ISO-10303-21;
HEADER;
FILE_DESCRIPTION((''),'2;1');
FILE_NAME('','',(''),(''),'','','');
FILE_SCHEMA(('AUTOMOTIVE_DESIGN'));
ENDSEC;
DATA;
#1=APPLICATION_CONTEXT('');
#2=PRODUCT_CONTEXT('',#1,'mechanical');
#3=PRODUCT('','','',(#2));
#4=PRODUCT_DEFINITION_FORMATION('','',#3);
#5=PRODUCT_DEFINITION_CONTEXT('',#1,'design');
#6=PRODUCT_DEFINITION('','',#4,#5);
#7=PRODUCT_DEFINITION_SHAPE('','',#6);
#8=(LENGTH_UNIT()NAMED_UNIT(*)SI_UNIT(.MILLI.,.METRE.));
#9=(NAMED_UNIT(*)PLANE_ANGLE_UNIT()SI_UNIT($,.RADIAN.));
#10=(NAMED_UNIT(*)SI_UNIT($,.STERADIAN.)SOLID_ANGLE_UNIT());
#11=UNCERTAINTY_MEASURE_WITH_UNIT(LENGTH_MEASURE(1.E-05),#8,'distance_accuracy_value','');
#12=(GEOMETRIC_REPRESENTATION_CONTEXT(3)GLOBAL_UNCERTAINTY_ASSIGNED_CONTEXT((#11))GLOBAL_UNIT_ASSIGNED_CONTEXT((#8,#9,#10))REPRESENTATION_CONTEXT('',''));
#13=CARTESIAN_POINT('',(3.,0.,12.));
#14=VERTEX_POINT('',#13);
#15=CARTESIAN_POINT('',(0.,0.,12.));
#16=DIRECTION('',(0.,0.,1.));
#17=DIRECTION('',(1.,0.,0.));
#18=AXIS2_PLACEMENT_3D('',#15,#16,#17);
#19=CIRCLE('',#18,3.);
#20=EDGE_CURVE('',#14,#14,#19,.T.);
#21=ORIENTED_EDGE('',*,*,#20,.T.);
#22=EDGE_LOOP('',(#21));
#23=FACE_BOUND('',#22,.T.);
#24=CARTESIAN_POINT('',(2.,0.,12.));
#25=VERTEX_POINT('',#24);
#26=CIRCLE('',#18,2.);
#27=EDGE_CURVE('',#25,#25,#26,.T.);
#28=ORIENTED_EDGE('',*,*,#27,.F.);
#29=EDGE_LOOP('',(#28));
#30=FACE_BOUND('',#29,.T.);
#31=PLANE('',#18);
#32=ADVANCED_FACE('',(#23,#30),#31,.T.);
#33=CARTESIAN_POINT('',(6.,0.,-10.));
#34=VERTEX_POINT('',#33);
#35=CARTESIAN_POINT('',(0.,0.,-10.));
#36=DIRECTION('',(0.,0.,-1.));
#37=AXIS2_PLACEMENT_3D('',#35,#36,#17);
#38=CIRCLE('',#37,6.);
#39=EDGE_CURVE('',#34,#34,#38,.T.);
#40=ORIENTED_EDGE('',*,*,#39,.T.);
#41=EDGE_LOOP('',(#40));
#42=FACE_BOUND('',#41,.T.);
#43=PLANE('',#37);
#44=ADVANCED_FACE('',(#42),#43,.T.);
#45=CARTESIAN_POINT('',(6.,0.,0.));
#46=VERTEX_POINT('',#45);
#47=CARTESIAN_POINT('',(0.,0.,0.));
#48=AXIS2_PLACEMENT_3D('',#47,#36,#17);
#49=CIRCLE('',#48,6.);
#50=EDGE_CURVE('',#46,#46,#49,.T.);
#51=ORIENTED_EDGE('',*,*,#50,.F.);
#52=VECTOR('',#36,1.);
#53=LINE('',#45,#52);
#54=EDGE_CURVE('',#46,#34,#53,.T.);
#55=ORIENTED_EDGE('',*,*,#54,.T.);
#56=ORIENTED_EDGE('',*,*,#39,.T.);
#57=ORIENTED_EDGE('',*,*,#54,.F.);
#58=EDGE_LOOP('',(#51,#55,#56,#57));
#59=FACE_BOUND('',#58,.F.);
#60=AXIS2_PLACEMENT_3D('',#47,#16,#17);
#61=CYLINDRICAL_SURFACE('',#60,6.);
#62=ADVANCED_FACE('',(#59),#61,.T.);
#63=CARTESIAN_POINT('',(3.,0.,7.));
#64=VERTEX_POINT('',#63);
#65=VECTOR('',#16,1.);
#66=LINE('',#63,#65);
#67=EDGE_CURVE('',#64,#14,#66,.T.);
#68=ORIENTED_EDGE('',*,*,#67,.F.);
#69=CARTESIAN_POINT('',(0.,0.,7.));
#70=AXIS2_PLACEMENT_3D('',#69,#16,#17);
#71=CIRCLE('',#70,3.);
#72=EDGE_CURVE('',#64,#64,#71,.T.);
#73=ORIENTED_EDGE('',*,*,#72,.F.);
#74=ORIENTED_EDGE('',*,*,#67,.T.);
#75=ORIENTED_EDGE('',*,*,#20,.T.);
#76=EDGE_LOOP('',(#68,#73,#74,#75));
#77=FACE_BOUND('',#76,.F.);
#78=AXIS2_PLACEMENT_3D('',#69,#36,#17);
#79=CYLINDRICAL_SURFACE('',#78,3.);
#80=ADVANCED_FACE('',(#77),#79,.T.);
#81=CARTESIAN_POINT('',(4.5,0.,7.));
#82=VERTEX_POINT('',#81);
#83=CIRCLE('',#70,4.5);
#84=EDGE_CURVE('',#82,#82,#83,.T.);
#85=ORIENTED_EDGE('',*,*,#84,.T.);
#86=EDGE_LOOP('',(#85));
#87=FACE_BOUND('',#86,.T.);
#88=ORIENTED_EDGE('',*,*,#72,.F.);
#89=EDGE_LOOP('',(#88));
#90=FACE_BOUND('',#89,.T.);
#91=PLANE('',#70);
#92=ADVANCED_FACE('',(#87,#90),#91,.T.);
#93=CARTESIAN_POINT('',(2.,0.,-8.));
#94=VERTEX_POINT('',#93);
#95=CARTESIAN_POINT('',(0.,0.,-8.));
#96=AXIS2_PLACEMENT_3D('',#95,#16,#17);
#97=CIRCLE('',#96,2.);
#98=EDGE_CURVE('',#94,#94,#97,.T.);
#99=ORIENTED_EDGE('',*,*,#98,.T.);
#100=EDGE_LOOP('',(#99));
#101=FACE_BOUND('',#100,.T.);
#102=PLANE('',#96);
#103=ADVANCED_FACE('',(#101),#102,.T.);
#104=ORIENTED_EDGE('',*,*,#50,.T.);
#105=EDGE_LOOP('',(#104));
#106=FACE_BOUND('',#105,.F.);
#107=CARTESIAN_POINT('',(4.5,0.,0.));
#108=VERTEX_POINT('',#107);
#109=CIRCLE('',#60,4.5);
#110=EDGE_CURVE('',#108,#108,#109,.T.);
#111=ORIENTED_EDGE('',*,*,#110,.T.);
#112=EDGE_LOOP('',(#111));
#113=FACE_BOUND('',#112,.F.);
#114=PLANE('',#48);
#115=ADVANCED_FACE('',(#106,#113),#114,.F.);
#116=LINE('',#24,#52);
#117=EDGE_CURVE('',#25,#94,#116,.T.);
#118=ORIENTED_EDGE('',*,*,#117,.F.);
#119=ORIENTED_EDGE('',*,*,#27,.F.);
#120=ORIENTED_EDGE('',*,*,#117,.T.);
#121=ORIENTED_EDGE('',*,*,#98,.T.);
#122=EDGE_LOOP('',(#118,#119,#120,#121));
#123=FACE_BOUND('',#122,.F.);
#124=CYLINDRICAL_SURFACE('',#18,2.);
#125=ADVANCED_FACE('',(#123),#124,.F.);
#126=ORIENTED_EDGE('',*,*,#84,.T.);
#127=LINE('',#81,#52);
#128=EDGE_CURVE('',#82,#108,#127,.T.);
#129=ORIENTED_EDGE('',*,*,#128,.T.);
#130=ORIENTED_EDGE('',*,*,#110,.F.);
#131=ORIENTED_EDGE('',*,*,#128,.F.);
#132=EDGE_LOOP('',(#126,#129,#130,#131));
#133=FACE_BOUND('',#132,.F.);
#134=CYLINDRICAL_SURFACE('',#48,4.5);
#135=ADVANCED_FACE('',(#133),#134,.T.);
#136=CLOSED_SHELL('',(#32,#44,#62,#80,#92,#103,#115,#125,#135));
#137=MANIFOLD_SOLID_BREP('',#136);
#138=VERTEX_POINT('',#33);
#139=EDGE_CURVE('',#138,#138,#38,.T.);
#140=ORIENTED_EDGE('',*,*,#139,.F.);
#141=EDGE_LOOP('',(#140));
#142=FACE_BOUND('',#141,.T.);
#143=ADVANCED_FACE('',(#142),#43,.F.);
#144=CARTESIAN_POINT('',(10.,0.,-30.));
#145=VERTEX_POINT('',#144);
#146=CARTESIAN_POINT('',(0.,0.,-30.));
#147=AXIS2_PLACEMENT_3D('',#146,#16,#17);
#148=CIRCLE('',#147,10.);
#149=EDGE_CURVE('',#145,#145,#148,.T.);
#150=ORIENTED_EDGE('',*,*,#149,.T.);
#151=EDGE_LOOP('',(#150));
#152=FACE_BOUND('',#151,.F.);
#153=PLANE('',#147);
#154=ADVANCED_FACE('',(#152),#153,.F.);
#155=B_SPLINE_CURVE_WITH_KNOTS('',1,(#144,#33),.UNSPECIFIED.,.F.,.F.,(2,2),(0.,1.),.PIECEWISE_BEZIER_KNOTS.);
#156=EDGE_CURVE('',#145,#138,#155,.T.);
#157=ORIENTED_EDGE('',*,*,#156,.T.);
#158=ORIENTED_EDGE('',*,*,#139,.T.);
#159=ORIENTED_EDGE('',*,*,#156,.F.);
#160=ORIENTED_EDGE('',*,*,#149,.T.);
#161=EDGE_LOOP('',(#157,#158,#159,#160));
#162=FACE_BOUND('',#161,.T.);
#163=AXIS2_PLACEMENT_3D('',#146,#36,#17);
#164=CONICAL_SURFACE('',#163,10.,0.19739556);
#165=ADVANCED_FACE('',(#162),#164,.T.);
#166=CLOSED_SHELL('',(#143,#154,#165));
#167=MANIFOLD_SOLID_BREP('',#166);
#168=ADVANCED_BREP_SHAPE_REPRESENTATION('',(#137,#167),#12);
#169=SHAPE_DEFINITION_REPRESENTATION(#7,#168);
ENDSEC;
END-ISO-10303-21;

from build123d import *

# Parameters (mm, degrees)
F0_R      = 4.5
F1_DEPTH  = 7
F2_R      = 3
F3_DEPTH  = 5
F4_R      = 6
F5_DEPTH  = 10
F8_R      = 10
F6_R      = 6
F10_R     = 2
F11_DEPTH = 20


with BuildPart() as f1:
    # F0 (on Top) → F1 (new body)
    with BuildSketch(Plane.XY):
        Circle(F0_R)
    extrude(amount=F1_DEPTH)

    # F2 (on face) + F0 (on Top) → F3 (join)
    with BuildSketch(Plane.XY.offset(7)):
        Circle(F2_R)
    with BuildSketch(Plane.XY):
        Circle(F0_R)
    extrude(amount=F3_DEPTH)

    # F4 (on face) → F5 (join)
    with BuildSketch(Plane(origin=(0, 0, 0), x_dir=(1, 0, 0), z_dir=(0, 0, -1))):
        Circle(F4_R)
    extrude(amount=F5_DEPTH)

    # F10 (on face) → F11 (cut)
    with BuildSketch(Plane.XY.offset(12)):
        Circle(F10_R)
    extrude(amount=-F11_DEPTH, mode=Mode.SUBTRACT)


with BuildPart() as f9:
    # F8 (on offset) → F9 section 0
    with BuildSketch(Plane.XY.offset(-30)):
        Circle(F8_R)
    # F6 (on face) → F9 section 1
    with BuildSketch(Plane(origin=(0, 0, -10), x_dir=(1, 0, 0), z_dir=(0, 0, -1))):
        Circle(F6_R)
    loft()


solid = Compound([f1.part, f9.part])
